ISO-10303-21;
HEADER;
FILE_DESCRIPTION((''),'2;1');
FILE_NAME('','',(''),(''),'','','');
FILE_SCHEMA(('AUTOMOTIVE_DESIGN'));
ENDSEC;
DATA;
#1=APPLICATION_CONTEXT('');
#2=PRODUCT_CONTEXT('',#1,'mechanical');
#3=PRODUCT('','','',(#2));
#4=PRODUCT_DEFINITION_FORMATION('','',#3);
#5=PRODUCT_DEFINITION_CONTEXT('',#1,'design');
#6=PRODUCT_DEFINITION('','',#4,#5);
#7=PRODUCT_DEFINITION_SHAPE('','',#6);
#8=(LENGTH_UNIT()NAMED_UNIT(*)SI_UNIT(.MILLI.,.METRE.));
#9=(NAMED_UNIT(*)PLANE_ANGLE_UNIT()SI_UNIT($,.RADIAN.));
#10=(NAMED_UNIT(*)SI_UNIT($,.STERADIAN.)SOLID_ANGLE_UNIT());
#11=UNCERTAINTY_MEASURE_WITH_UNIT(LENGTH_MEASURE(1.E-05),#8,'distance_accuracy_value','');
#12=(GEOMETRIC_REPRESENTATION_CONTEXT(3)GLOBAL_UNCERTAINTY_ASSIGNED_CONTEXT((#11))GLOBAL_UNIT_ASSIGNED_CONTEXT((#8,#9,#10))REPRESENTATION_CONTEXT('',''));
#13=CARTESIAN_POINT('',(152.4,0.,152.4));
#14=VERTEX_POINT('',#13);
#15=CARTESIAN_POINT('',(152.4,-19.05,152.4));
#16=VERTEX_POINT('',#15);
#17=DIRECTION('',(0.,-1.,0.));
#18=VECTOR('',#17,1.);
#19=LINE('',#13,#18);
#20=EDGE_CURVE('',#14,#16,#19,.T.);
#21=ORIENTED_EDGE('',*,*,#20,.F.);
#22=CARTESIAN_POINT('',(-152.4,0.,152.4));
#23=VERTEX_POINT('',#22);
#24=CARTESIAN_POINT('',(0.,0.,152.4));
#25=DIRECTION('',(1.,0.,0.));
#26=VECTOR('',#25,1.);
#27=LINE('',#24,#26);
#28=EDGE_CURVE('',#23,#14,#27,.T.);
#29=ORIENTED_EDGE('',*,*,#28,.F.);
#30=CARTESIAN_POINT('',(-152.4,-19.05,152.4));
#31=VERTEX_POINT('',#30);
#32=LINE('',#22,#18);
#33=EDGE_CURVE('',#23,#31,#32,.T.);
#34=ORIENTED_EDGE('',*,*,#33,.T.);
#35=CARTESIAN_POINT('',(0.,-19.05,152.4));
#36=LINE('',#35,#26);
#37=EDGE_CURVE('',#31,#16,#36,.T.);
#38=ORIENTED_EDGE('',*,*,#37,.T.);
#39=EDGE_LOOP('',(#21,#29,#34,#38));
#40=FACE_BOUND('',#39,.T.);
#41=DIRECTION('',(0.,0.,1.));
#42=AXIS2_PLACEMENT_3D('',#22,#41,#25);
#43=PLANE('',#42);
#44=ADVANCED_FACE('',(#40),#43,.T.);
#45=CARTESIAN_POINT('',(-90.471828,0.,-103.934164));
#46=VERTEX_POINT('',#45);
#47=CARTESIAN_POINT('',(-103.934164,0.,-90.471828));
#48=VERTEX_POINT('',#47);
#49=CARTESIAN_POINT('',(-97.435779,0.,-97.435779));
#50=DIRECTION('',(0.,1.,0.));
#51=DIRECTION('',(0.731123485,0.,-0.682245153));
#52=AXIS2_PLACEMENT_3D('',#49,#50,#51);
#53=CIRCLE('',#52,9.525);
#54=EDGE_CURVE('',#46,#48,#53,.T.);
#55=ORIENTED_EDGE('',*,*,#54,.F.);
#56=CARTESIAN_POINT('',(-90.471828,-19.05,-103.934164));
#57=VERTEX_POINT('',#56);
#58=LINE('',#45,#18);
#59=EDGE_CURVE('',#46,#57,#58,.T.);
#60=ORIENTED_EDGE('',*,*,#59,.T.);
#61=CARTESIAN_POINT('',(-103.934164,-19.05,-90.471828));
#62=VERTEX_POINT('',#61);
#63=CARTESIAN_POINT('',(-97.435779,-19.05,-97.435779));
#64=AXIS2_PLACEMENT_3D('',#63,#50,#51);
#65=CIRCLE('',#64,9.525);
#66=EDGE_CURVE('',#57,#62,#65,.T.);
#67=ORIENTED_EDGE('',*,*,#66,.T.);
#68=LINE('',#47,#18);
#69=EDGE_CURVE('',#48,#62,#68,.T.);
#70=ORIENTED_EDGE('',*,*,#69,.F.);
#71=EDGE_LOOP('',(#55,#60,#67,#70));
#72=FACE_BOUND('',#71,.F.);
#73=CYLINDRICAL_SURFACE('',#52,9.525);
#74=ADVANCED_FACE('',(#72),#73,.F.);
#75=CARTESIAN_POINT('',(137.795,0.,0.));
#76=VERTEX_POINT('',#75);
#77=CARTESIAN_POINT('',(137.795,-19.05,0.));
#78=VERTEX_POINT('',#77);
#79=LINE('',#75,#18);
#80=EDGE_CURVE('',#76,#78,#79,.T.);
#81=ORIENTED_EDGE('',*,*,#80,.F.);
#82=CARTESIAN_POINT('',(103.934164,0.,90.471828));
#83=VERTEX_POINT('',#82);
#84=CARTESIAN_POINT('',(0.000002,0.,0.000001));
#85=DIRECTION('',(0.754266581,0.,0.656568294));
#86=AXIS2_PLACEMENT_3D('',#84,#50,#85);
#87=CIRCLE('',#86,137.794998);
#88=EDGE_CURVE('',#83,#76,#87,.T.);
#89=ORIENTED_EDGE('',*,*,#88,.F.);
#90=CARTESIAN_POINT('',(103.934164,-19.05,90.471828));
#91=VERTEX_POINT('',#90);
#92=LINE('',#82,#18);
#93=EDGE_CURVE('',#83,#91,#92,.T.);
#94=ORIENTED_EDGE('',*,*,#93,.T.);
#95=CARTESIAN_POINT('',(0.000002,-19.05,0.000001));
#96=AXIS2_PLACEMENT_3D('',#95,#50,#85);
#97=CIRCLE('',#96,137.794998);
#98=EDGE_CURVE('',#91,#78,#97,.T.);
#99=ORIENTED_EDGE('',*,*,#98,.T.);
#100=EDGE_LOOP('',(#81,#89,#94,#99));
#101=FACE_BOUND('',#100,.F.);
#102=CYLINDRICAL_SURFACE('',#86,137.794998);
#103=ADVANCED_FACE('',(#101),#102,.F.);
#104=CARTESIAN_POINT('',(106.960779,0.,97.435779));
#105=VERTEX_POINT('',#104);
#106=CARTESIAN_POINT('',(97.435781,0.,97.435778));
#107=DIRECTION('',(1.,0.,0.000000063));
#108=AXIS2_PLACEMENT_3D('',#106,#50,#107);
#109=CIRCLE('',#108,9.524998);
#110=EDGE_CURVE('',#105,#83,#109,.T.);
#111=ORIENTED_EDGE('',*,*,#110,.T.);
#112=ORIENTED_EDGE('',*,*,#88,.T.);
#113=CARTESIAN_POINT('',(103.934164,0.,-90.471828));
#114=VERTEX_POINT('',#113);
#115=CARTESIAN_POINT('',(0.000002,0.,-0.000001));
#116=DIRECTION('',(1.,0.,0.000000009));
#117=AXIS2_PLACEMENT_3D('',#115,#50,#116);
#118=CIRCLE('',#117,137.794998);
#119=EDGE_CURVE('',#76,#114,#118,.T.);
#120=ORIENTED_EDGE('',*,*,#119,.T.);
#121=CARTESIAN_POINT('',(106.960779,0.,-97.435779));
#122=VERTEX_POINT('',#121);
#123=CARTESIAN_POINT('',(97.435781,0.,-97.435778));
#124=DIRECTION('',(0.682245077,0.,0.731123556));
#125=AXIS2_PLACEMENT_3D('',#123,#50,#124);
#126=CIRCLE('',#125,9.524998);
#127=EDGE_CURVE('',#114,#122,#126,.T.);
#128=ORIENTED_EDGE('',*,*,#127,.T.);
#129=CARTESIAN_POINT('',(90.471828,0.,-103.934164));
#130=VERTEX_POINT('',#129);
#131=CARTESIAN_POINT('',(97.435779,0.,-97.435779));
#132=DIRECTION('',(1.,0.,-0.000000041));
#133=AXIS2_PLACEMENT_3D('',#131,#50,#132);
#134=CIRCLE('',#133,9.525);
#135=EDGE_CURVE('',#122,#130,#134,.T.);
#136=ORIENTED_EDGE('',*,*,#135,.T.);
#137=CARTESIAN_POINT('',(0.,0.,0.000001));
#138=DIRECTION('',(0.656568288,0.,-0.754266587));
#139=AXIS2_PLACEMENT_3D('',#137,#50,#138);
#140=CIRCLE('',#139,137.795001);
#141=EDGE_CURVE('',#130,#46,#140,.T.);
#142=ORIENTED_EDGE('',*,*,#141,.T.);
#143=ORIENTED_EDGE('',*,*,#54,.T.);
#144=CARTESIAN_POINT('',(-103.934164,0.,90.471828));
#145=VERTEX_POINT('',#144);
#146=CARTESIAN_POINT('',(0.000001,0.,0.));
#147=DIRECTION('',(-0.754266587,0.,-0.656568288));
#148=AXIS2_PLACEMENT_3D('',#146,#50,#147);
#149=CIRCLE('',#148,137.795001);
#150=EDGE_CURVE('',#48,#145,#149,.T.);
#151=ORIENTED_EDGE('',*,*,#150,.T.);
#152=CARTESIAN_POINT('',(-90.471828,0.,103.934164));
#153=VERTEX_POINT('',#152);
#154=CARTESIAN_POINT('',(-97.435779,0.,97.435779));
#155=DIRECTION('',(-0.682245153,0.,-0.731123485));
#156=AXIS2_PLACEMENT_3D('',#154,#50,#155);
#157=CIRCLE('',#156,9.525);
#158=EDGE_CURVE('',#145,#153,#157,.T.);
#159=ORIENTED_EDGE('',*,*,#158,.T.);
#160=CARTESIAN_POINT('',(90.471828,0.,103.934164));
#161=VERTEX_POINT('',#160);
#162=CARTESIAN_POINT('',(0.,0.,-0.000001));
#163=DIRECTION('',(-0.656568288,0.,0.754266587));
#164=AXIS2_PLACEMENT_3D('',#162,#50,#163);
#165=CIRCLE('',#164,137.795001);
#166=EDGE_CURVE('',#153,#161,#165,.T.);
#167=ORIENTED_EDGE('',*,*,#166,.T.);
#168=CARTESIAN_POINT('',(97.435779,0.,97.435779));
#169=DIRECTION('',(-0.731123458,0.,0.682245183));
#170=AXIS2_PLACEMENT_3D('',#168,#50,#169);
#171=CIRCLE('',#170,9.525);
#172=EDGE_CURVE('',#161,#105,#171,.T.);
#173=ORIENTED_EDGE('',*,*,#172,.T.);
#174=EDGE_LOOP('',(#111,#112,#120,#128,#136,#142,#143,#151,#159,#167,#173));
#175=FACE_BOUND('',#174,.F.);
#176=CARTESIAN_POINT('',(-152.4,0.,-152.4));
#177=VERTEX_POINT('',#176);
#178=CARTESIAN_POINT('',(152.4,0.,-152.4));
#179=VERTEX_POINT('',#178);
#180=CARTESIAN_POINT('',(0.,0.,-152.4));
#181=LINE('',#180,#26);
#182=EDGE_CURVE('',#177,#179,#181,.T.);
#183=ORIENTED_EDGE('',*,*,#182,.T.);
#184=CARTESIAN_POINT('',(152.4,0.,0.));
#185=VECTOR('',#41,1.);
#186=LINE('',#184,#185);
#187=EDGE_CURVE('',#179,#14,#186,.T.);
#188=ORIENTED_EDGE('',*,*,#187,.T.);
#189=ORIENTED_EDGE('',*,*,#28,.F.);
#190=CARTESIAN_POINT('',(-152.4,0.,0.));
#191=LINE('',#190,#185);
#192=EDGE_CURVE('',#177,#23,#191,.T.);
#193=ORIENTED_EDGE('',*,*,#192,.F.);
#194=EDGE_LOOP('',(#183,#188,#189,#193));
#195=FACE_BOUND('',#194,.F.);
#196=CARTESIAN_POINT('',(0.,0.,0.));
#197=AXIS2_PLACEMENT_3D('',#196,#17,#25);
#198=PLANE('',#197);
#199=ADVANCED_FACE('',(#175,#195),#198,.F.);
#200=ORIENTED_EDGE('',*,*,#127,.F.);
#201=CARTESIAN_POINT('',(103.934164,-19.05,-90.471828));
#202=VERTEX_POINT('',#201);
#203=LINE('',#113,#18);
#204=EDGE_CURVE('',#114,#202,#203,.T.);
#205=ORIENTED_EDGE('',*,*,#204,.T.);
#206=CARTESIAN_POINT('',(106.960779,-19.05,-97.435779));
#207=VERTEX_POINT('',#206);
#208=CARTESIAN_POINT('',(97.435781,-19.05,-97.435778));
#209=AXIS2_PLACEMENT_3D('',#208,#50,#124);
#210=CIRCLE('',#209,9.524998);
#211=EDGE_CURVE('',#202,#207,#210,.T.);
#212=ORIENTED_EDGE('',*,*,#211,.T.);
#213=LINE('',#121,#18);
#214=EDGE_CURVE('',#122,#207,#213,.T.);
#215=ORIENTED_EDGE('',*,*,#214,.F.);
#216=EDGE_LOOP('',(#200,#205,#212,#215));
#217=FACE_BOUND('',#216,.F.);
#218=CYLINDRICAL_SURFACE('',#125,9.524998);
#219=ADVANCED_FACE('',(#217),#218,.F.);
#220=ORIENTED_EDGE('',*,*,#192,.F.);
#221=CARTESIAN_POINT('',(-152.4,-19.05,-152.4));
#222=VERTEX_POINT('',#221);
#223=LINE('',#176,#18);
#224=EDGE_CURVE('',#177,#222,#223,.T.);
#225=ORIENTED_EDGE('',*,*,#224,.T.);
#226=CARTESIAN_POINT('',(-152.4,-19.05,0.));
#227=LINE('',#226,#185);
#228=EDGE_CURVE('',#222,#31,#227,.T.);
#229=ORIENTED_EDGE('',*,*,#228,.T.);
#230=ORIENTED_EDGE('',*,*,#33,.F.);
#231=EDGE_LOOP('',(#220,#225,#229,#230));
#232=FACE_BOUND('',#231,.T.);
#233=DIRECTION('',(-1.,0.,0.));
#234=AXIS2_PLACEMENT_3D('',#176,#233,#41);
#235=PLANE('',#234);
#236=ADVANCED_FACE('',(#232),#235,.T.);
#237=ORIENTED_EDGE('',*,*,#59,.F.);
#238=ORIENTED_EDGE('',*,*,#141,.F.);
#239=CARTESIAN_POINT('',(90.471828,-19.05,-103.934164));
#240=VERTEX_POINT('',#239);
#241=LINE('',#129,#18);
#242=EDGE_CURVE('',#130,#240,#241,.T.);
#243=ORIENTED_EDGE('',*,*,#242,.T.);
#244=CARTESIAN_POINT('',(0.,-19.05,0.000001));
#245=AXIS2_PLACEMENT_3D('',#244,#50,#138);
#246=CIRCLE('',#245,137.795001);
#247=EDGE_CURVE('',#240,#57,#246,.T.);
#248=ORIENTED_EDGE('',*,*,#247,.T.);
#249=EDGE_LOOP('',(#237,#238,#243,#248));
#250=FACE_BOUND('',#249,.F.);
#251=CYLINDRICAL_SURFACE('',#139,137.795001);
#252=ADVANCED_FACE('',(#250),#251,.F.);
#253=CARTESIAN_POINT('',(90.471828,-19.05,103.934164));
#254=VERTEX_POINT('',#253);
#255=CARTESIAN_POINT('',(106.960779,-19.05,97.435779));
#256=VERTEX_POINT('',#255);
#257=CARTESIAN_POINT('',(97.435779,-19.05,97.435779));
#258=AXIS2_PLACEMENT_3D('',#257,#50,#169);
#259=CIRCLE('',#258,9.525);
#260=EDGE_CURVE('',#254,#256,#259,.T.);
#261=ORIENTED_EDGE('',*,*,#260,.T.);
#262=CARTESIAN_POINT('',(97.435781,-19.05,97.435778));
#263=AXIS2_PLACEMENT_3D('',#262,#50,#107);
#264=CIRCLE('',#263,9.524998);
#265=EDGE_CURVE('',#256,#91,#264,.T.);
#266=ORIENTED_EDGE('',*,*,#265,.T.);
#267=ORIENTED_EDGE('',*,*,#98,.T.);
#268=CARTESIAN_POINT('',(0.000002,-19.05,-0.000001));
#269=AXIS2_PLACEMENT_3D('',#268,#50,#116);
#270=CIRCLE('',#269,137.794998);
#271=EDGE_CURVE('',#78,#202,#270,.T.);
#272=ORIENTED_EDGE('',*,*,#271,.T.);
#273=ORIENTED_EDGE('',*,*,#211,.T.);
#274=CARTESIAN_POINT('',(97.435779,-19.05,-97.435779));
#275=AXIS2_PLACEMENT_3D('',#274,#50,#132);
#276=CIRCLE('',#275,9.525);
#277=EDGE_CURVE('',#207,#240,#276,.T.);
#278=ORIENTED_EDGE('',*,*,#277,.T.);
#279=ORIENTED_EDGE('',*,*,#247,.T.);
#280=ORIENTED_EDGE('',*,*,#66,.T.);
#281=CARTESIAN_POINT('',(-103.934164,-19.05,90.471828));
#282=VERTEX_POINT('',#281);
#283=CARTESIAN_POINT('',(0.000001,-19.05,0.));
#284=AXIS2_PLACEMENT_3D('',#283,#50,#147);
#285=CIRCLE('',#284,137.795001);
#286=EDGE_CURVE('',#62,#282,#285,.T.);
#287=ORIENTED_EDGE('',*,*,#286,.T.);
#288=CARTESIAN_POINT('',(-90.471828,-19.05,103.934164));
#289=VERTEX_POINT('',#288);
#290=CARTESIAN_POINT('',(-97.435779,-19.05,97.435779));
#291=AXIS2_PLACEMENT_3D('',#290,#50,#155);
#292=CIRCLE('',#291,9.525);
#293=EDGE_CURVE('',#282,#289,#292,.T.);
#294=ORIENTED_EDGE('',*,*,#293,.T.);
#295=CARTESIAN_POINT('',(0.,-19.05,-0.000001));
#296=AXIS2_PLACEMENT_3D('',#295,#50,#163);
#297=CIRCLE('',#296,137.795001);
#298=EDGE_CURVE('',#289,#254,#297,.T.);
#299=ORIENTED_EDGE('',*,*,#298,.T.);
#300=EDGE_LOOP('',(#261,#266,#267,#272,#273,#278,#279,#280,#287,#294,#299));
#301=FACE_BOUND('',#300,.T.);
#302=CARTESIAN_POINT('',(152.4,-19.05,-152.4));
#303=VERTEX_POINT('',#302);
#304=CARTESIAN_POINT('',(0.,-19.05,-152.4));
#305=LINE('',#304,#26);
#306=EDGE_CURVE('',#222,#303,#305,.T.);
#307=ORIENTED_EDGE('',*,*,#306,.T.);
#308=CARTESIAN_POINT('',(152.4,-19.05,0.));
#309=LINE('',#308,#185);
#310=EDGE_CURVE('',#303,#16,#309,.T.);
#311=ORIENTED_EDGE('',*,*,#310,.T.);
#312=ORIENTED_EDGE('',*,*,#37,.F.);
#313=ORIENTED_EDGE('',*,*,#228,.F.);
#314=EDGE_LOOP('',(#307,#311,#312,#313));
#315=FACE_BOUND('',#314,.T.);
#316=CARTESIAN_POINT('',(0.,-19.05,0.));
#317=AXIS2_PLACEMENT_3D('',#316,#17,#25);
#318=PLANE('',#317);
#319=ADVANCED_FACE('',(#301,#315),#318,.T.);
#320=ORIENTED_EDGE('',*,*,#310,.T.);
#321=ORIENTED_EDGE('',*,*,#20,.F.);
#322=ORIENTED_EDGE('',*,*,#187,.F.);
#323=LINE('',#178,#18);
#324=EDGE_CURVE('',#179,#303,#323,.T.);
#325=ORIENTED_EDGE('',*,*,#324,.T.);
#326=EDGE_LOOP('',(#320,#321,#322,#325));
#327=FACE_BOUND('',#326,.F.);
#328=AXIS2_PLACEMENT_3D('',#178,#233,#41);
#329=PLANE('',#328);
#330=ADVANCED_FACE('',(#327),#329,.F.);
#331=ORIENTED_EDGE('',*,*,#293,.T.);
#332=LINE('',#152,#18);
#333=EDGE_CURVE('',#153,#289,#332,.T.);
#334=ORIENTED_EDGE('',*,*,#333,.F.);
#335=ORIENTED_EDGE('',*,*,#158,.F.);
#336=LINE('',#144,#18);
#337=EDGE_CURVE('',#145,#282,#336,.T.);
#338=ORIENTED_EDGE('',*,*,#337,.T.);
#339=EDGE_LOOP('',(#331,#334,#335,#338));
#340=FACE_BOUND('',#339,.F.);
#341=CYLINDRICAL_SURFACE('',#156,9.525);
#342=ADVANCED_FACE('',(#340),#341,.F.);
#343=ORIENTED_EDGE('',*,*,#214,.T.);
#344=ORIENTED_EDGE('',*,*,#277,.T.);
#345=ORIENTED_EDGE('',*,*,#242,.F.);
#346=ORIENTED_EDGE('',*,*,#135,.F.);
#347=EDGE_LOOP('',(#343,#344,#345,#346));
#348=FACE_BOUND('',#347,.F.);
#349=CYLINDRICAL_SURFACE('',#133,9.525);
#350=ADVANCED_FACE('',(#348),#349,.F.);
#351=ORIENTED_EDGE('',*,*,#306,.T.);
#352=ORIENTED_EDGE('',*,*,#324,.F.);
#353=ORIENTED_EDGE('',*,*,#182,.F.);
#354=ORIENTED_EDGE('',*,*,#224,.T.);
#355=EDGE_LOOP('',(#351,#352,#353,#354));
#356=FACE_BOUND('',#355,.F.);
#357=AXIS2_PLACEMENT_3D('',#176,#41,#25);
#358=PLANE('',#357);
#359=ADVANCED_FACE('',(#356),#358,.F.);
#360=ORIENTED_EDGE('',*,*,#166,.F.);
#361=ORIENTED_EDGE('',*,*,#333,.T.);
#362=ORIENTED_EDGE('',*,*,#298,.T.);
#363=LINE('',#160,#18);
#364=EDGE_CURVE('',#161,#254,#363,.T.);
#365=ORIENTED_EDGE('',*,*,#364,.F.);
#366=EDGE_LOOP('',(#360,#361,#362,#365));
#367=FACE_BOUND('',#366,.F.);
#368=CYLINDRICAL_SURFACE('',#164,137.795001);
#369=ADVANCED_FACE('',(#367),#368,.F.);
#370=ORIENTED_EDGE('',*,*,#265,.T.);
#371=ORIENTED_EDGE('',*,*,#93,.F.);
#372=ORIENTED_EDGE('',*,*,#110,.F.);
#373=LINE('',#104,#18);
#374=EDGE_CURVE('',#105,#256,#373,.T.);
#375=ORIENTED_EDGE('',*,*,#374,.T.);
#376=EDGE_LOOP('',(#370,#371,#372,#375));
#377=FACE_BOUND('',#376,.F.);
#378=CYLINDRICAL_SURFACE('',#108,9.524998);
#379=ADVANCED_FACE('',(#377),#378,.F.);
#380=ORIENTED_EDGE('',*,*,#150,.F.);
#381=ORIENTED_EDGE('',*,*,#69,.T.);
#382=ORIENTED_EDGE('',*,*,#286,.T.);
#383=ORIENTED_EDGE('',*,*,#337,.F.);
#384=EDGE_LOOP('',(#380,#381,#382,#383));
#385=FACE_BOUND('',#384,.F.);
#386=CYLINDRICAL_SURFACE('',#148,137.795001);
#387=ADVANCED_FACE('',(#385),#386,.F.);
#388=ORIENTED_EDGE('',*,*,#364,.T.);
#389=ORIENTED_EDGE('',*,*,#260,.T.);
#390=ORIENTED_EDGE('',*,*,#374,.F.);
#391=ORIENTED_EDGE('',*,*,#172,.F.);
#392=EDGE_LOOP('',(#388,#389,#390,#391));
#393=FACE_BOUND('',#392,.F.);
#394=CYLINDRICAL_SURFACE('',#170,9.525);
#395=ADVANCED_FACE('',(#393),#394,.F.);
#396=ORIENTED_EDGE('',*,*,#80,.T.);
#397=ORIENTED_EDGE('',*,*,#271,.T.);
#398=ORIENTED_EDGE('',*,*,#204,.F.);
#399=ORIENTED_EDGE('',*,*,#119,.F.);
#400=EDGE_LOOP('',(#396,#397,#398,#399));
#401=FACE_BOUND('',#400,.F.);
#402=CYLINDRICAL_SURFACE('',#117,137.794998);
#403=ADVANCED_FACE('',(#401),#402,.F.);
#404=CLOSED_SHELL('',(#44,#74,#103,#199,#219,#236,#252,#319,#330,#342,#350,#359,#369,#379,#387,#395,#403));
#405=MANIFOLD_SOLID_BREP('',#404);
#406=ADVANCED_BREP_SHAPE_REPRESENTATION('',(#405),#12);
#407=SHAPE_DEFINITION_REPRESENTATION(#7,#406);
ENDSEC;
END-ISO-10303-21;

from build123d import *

# Parameters (mm, degrees)
F0_W     = 304.8
F0_H     = 304.8
F1_DEPTH = 19.05


with BuildPart() as f1:
    # F0 (on Front) → F1 (new body)
    with BuildSketch(Plane.XZ):
        Rectangle(F0_W, F0_H)
        with BuildLine():
            ThreePointArc((103.934164, 90.471828), (129.052451, 48.300383), (137.795, 0))
            ThreePointArc((137.795, 0), (129.052451, -48.300383), (103.934164, -90.471828))
            ThreePointArc((103.934164, -90.471828), (106.171417, -93.639168), (106.960779, -97.435779))
            ThreePointArc((106.960779, -97.435779), (100.928198, -106.297417), (90.471828, -103.934164))
            ThreePointArc((90.471828, -103.934164), (0, -137.795), (-90.471828, -103.934164))
            ThreePointArc((-90.471828, -103.934164), (-104.170971, -104.170971), (-103.934164, -90.471828))
            ThreePointArc((-103.934164, -90.471828), (-137.795, 0), (-103.934164, 90.471828))
            ThreePointArc((-103.934164, 90.471828), (-104.170971, 104.170971), (-90.471828, 103.934164))
            ThreePointArc((-90.471828, 103.934164), (0, 137.795), (90.471828, 103.934164))
            ThreePointArc((90.471828, 103.934164), (100.928198, 106.297417), (106.960779, 97.435779))
            ThreePointArc((106.960779, 97.435779), (106.171417, 93.639168), (103.934164, 90.471828))
        make_face(mode=Mode.SUBTRACT)
    extrude(amount=F1_DEPTH)


solid = f1.part
